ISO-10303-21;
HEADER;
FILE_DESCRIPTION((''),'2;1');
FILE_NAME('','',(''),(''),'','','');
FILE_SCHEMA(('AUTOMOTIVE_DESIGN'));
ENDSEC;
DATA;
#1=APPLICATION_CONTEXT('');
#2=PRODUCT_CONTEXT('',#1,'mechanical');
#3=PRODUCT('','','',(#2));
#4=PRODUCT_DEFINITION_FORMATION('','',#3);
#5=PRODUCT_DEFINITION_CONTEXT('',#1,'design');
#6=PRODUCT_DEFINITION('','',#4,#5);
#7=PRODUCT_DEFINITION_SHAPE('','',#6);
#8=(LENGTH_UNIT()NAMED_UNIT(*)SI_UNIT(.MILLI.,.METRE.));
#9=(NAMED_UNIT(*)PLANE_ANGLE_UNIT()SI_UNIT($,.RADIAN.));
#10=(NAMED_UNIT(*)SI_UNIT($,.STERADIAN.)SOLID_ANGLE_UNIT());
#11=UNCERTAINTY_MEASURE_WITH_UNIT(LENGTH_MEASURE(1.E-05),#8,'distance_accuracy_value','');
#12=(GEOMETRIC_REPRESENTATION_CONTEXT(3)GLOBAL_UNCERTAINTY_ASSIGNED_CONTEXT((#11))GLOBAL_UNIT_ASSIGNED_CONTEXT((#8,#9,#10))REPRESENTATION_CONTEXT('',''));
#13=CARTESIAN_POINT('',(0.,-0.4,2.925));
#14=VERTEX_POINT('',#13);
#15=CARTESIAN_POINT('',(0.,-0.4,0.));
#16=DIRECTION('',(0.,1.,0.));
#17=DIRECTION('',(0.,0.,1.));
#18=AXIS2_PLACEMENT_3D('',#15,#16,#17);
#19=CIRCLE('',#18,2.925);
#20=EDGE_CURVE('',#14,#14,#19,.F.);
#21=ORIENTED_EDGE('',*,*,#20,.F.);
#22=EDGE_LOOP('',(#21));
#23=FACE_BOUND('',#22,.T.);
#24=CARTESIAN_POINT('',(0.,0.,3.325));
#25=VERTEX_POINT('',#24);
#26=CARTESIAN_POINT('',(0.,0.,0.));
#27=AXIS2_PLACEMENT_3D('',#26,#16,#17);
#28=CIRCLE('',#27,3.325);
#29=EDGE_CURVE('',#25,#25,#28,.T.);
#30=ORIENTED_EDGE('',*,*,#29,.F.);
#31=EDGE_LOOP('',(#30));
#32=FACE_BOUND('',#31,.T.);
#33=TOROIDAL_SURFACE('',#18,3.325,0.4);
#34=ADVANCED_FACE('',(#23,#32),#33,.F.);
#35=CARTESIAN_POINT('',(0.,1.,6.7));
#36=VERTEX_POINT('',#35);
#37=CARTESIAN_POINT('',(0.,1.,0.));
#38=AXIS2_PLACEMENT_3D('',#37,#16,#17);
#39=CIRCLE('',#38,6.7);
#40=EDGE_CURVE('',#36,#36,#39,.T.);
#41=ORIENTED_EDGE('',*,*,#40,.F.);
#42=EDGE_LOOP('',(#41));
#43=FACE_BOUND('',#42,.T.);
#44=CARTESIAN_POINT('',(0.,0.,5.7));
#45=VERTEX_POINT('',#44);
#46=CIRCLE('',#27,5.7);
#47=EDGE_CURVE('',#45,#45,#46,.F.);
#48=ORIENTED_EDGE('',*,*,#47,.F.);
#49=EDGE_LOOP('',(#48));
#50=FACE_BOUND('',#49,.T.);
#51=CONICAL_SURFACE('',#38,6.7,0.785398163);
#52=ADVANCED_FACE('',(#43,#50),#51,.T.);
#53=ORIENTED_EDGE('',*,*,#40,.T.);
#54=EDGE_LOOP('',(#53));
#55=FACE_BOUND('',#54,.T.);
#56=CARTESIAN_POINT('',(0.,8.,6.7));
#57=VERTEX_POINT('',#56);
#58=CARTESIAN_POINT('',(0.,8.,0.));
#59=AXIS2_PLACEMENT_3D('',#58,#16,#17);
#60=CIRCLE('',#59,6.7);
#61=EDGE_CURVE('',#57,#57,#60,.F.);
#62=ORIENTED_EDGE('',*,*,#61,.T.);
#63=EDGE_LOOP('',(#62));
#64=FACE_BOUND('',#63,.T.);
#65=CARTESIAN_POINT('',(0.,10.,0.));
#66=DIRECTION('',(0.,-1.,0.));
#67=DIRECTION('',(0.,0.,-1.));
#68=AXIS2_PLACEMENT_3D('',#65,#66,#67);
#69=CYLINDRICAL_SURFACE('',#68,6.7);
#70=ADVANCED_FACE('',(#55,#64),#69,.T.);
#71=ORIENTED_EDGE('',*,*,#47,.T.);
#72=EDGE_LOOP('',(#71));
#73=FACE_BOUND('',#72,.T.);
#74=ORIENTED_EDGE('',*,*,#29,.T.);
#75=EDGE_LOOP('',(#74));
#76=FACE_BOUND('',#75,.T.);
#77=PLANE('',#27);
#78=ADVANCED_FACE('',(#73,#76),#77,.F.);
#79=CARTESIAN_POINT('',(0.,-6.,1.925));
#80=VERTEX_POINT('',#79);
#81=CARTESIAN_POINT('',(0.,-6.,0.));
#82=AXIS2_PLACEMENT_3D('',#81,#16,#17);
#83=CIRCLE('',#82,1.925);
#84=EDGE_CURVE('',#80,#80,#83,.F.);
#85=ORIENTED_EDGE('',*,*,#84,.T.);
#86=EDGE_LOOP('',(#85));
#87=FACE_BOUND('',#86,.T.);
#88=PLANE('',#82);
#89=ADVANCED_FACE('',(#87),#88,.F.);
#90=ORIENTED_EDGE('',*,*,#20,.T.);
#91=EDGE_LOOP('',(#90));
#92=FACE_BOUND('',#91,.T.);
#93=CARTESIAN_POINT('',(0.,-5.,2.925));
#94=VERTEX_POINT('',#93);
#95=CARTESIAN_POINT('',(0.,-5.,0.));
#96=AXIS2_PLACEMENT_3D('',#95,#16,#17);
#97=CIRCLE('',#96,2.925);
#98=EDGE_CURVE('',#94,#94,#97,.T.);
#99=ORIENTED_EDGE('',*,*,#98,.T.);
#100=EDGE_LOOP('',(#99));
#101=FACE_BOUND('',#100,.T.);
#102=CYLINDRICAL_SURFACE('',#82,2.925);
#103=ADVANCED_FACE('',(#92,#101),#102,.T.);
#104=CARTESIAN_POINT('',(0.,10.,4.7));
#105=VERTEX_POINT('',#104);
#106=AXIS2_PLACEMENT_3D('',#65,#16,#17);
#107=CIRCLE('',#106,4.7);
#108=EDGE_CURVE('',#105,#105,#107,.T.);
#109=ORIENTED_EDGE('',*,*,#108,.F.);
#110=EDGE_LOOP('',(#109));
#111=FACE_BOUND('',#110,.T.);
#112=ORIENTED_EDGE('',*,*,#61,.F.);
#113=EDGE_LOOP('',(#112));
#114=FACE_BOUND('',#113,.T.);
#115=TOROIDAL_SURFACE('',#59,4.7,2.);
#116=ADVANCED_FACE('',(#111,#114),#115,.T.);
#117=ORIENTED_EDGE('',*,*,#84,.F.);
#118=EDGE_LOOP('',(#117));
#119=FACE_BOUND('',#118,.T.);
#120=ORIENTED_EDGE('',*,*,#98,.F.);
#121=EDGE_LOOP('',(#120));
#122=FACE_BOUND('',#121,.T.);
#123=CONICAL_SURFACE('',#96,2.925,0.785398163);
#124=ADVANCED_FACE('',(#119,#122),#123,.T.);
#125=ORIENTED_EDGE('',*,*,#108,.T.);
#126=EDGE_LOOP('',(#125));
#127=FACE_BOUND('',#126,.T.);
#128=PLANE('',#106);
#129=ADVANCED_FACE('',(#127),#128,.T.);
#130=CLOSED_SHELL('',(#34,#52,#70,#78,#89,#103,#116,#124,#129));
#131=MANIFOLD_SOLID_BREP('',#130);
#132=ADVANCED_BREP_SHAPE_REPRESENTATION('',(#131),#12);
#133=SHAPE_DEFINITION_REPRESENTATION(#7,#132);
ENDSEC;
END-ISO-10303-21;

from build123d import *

# Parameters (mm, degrees)
SKETCH_1_R      = 6.7
EXTRUDE_1_DEPTH = 10
SKETCH_1_5_R    = 2.925
EXTRUDE_2_DEPTH = 6
CHAMFER_1_SIZE  = 1
FILLET_1_R      = 0.4
FILLET_2_R      = 2


with BuildPart() as part:
    # Эскиз1 → Бобышка-Вытянуть1 (new body)
    with BuildSketch(Plane(origin=(0, 0, 0), x_dir=(1, 0, 0), z_dir=(0, 1, 0))):
        Circle(SKETCH_1_R)
    extrude(amount=EXTRUDE_1_DEPTH)

    # Эскиз1<5> → Бобышка-Вытянуть2 (add)
    with BuildSketch(Plane(origin=(0, 0, 0), x_dir=(1, 0, 0), z_dir=(0, 1, 0))):
        Circle(SKETCH_1_5_R)
    extrude(amount=-EXTRUDE_2_DEPTH)

    # Фаска1
    chamfer_1_edges = [part.edges().sort_by_distance(p)[0] for p in [
        (-2.925, -6, 0),
        (-6.7, 0, 0),
    ]]
    chamfer(chamfer_1_edges, length=CHAMFER_1_SIZE)

    # Скругление1
    fillet_1_edges = [part.edges().sort_by_distance(p)[0] for p in [
        (-2.925, 0, 0),
    ]]
    fillet(fillet_1_edges, radius=FILLET_1_R)

    # Скругление2
    fillet_2_edges = [part.edges().sort_by_distance(p)[0] for p in [
        (-6.7, 10, 0),
    ]]
    fillet(fillet_2_edges, radius=FILLET_2_R)


solid = part.part
